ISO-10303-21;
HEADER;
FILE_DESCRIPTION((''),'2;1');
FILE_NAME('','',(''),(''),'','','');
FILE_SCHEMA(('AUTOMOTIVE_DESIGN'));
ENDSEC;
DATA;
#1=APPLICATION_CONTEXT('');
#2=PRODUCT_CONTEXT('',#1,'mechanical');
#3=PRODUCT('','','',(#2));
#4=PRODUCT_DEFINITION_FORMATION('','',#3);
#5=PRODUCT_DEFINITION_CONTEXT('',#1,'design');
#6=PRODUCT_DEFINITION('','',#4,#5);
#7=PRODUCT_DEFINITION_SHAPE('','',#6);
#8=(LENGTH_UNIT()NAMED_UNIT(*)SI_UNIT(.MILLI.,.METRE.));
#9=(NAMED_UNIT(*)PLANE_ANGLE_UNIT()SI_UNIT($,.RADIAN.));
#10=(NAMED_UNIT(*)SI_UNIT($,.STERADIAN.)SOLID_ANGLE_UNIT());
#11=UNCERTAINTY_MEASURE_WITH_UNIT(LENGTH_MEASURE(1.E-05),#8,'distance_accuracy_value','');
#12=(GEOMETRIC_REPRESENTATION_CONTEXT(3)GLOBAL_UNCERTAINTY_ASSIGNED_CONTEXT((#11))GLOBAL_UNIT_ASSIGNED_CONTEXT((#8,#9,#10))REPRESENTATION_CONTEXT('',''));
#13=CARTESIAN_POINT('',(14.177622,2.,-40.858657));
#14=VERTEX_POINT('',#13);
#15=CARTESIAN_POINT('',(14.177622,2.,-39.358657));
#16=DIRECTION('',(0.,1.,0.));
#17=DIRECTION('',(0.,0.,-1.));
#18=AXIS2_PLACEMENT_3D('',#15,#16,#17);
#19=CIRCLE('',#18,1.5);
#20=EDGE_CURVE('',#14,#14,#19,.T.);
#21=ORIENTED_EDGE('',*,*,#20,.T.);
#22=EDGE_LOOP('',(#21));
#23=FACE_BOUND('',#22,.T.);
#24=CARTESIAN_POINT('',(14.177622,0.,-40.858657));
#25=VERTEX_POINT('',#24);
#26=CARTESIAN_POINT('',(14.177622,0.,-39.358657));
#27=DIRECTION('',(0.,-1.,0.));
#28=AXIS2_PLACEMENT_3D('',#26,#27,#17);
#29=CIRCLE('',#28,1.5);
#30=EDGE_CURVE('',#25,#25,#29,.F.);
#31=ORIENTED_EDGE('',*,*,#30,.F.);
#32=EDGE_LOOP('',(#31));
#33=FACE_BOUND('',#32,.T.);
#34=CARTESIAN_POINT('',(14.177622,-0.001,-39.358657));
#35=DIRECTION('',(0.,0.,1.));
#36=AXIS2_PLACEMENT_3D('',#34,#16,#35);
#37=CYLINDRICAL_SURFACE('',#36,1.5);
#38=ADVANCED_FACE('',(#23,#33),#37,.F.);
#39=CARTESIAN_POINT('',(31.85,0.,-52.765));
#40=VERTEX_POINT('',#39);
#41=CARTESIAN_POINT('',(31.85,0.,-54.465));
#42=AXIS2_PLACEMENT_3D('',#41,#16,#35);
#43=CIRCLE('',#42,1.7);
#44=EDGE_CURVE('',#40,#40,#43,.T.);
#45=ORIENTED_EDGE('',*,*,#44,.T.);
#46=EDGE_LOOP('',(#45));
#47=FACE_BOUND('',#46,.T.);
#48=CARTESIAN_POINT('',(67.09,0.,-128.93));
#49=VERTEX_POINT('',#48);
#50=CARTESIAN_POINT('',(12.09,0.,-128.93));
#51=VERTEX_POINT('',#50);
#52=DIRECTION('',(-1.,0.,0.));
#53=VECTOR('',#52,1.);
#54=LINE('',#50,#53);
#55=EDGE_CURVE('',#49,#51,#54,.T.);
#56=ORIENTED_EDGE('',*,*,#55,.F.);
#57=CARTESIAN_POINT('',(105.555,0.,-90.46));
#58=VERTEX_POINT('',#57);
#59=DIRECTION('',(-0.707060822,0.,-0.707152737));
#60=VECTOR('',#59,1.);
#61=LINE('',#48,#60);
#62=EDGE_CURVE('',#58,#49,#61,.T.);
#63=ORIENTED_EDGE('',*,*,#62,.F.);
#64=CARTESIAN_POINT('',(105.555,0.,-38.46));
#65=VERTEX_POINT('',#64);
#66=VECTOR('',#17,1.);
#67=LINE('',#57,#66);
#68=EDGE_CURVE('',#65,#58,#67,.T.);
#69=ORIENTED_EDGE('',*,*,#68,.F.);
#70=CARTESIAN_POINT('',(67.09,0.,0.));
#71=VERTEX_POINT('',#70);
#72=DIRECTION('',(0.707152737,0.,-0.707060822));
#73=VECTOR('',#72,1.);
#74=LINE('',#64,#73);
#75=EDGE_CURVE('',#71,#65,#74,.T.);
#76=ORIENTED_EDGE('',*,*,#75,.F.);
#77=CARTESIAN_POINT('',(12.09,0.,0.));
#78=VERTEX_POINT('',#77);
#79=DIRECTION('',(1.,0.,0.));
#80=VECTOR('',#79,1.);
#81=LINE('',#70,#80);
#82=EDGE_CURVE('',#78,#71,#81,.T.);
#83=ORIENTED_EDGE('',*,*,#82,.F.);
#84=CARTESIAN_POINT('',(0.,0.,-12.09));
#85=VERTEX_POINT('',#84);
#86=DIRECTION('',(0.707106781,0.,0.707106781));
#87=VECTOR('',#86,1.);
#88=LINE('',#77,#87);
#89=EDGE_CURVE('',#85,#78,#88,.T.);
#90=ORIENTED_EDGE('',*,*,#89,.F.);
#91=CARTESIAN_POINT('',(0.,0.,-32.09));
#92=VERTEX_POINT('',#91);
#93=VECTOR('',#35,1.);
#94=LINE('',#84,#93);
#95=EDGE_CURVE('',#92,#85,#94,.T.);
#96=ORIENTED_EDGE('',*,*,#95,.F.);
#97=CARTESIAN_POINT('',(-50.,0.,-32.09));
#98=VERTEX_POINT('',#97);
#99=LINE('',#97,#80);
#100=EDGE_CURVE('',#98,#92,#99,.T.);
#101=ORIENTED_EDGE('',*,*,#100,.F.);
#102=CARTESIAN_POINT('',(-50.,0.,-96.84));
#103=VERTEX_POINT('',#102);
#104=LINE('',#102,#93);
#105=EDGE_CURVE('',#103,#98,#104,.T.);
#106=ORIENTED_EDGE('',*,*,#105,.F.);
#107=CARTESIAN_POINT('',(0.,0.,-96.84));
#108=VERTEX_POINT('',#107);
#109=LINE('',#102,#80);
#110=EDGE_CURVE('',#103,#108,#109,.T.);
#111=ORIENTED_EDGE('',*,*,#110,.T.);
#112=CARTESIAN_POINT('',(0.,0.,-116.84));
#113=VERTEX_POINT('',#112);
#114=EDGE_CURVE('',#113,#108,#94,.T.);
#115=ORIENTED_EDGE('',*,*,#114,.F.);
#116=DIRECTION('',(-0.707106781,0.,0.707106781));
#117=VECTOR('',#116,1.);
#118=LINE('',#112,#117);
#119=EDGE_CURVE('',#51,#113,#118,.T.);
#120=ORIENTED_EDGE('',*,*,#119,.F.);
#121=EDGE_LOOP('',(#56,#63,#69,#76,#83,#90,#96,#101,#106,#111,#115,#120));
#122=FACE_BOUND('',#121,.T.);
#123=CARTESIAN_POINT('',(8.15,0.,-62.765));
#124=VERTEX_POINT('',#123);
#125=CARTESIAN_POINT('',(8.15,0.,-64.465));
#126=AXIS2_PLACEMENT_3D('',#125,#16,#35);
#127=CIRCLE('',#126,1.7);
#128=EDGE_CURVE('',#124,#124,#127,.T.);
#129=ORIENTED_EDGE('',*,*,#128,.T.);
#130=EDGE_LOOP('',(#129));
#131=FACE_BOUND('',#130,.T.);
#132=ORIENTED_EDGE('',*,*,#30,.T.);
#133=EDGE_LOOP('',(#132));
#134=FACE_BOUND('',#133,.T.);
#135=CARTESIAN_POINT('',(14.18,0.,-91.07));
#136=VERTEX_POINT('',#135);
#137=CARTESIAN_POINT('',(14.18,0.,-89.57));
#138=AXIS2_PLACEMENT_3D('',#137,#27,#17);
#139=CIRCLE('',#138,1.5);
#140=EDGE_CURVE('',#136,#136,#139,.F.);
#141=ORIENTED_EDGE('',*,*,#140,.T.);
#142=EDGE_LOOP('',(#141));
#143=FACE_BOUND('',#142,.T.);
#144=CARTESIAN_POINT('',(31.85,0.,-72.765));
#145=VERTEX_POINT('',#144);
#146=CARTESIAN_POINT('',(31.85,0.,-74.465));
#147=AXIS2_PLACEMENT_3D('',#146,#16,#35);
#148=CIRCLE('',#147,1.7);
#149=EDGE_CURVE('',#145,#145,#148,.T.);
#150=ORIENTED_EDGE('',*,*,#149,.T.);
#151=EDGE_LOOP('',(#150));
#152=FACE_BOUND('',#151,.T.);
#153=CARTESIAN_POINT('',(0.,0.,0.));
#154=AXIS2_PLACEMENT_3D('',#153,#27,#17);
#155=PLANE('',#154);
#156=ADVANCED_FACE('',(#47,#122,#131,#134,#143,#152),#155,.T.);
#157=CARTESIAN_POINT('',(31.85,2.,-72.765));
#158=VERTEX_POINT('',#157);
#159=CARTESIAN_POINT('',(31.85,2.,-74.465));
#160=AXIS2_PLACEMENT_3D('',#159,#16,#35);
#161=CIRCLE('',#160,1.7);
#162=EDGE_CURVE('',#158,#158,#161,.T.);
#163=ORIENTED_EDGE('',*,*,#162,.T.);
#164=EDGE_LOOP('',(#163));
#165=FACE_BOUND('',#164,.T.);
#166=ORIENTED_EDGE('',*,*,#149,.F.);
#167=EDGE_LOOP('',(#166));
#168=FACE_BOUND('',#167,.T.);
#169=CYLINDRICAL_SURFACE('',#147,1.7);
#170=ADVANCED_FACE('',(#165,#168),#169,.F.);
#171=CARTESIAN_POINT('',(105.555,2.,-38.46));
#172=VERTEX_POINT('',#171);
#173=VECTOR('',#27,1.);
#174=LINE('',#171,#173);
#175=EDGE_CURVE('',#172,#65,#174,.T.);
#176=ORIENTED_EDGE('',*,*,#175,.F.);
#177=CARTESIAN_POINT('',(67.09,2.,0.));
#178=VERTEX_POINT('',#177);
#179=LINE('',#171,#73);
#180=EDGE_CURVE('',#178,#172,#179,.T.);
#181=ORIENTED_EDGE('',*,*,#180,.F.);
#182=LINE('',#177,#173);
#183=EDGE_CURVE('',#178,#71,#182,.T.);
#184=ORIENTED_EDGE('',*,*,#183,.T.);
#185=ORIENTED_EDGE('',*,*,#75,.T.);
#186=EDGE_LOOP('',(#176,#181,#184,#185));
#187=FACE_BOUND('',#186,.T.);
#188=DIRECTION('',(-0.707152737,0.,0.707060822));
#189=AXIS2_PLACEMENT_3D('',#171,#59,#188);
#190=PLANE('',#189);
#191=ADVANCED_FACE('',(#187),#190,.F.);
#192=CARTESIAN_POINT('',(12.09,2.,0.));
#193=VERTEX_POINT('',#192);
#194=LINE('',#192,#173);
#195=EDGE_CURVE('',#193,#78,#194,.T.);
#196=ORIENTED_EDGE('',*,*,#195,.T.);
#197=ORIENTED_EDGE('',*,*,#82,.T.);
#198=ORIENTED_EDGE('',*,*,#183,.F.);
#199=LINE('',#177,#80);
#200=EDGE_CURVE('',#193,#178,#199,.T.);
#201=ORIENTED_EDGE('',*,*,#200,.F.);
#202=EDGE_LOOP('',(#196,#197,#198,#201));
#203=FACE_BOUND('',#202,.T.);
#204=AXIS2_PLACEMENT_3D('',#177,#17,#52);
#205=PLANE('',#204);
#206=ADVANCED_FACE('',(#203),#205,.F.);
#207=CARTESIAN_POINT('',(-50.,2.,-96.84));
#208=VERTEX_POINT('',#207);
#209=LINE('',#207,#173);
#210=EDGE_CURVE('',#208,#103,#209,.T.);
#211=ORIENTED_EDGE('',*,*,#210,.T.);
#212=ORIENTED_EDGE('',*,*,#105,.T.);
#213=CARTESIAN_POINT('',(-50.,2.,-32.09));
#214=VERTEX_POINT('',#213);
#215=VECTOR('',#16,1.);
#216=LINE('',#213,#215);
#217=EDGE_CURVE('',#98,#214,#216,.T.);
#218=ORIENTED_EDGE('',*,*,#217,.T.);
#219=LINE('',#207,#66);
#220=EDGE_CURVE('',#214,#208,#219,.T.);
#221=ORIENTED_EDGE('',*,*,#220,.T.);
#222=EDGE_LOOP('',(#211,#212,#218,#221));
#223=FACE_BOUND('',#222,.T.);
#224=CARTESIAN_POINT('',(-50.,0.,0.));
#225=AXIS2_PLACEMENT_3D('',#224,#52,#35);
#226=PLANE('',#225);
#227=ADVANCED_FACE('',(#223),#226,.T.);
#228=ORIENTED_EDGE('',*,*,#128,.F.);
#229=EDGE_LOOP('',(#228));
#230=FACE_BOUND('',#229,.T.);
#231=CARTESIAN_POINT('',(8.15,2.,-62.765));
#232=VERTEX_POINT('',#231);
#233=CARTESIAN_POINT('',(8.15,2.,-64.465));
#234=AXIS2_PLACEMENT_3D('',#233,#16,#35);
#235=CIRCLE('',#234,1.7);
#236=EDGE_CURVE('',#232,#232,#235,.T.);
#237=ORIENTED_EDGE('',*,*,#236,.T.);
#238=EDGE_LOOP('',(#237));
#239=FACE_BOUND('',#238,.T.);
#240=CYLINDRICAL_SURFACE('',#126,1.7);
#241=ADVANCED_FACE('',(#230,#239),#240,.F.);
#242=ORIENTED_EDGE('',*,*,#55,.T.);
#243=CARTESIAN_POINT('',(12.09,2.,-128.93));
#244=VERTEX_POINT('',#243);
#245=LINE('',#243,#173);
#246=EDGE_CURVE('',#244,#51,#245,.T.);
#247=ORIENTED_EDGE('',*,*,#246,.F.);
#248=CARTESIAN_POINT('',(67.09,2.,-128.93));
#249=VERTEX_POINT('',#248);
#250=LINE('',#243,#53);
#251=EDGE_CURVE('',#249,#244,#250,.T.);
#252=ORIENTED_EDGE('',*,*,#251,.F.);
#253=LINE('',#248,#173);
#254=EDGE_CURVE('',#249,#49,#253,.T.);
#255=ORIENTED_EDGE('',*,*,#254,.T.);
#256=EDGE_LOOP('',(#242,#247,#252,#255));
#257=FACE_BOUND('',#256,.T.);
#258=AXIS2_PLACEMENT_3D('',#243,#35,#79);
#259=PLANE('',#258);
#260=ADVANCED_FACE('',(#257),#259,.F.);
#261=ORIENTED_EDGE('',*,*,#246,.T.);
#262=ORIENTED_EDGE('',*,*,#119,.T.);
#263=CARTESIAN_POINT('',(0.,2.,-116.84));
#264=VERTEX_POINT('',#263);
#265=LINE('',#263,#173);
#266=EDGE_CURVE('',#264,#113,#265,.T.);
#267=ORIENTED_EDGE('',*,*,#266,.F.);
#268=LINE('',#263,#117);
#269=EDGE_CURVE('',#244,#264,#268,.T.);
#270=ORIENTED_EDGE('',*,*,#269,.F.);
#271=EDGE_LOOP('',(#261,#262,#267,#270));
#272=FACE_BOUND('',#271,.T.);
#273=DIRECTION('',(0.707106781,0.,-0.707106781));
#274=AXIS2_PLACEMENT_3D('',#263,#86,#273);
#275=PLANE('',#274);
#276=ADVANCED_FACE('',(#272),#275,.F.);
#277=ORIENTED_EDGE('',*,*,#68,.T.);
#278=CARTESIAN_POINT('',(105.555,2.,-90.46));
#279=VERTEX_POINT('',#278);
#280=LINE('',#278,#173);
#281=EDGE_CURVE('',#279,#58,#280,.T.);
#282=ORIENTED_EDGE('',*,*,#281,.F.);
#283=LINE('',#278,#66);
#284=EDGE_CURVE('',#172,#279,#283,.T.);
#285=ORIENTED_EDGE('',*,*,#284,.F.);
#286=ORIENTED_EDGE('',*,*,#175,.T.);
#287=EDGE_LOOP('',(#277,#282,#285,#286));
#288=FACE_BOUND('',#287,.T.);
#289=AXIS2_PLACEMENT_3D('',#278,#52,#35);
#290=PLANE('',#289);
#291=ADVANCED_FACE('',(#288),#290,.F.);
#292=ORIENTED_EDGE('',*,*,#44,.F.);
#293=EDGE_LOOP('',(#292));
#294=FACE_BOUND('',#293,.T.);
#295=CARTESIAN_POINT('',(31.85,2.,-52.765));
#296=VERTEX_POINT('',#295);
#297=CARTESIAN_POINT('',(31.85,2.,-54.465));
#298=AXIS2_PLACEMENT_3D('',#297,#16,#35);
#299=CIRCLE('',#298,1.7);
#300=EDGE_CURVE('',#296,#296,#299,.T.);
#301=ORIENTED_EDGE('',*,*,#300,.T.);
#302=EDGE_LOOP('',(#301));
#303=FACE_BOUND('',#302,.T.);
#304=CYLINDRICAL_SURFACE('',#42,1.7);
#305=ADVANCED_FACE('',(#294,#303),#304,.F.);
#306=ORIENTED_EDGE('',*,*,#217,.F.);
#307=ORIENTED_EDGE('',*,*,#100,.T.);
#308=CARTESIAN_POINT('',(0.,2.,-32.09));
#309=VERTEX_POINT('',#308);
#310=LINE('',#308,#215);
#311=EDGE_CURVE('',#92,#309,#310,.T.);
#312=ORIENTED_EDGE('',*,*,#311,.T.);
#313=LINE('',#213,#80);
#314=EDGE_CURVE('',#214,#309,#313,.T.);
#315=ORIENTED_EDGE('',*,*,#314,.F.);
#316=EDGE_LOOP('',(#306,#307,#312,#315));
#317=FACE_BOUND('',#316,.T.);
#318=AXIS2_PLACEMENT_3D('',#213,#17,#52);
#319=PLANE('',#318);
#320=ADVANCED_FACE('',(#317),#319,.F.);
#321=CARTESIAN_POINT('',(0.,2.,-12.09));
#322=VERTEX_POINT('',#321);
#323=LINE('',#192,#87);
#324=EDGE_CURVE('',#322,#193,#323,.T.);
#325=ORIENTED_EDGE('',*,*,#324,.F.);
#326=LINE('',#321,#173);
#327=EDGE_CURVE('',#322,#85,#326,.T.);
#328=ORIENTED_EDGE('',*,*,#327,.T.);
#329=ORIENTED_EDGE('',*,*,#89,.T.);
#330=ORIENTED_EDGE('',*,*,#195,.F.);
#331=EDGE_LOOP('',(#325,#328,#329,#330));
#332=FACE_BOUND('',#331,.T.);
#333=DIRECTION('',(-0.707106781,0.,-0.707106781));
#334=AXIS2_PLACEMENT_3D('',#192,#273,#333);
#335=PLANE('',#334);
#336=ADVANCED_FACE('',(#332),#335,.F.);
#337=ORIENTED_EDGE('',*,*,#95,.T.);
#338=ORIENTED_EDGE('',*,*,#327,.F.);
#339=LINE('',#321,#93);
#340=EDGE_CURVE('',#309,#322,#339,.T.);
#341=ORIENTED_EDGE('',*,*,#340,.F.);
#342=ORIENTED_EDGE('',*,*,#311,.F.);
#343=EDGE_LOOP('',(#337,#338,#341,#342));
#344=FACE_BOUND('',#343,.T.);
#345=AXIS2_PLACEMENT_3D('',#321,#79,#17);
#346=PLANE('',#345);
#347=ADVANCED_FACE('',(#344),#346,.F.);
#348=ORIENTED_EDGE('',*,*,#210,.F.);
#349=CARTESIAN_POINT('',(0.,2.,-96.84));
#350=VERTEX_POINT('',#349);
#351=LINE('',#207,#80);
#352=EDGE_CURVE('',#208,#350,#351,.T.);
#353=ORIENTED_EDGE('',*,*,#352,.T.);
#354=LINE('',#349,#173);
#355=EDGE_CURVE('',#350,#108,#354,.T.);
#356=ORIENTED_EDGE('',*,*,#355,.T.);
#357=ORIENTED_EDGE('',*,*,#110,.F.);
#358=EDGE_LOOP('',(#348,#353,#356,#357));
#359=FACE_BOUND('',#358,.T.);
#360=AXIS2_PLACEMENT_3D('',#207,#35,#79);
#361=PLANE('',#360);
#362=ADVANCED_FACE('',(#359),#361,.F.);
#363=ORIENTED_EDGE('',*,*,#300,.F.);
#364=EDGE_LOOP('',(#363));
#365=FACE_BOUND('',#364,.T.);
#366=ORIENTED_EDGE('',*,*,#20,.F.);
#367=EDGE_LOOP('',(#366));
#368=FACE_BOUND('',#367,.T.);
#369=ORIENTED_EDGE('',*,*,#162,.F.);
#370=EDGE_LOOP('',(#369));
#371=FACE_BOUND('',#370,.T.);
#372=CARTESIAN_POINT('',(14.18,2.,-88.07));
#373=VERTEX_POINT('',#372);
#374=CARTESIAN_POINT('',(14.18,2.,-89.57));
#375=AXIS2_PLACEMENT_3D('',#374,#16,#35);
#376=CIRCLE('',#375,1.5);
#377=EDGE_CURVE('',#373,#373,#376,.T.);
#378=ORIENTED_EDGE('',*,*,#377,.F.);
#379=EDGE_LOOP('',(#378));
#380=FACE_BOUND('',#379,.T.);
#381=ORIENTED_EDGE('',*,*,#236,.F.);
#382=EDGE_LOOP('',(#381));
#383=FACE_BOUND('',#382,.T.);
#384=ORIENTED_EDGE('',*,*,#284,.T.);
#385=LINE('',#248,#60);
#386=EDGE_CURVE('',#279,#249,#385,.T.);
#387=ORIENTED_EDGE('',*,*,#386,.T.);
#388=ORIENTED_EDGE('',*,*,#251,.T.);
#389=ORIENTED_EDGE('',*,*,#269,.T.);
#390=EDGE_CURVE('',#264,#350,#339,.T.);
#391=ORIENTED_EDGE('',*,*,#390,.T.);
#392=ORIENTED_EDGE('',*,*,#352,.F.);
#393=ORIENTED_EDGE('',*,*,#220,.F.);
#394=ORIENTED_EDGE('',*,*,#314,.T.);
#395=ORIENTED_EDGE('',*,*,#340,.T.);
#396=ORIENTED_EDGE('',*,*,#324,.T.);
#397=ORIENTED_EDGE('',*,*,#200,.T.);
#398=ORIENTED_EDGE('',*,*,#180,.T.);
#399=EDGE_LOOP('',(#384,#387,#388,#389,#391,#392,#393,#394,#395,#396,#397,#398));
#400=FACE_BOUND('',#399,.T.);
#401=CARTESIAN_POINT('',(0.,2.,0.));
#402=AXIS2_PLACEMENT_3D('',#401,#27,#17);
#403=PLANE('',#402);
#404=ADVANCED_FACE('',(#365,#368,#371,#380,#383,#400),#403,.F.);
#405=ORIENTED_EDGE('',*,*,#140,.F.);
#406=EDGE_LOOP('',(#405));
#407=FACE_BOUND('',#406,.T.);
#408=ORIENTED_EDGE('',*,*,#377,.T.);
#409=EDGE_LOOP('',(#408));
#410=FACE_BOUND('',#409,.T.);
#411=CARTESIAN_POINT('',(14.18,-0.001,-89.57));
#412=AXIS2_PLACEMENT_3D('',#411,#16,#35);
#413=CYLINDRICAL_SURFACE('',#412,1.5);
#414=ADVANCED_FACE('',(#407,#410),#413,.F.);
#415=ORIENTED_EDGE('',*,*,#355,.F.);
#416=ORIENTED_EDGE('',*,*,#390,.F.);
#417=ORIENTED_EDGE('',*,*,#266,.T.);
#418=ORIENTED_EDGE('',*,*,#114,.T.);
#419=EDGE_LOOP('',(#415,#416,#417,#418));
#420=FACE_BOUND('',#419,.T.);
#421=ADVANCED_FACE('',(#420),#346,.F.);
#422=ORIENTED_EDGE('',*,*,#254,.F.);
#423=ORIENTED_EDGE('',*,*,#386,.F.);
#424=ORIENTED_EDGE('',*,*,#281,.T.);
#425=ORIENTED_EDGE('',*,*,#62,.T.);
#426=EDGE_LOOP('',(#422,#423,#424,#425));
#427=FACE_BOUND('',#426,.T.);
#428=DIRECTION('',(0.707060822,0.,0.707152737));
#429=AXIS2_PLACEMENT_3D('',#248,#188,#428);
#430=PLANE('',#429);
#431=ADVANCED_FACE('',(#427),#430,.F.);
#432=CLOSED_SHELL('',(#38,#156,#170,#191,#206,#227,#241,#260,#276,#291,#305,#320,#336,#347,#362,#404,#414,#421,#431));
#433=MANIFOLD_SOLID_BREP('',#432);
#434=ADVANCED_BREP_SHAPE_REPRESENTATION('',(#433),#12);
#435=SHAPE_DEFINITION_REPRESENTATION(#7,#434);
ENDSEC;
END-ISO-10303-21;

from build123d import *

# Parameters (mm, degrees)
BOSS_EXTRUDE1_DEPTH = 2
SKETCH2_R           = 1.7
CUT_EXTRUDE1_DEPTH  = 167.639739727
CUT_EXTRUDE2_REACH  = 168.64
SKETCH7_R           = 1.5
SKETCH10_W          = 64.75
SKETCH10_H          = 2
BOSS_EXTRUDE3_DEPTH = 50


with BuildPart() as part:
    # Sketch1 → Boss-Extrude1 (new body)
    with BuildSketch(Plane(origin=(0, 0, 0), x_dir=(1, 0, 0), z_dir=(0, 1, 0))):
        Polygon((0, 12.09), (0, 116.84), (12.09, 128.93), (67.09, 128.93), (105.554999675, 90.46), (105.554999675, 38.46), (67.09, 0), (12.09, 0), align=None)
    extrude(amount=BOSS_EXTRUDE1_DEPTH)

    # Sketch2 → Cut-Extrude1 (cut, through all)
    with BuildSketch(Plane(origin=(0, 2, 0), x_dir=(1, 0, 0), z_dir=(0, 1, 0))):
        with Locations(Location((8.15, 64.465, 0), (0, 0, 270))):
            Circle(SKETCH2_R)
        with Locations(Location((31.85, 54.465, 0), (0, 0, 270))):
            Circle(SKETCH2_R)
        with Locations(Location((31.85, 74.465, 0), (0, 0, 270))):
            Circle(SKETCH2_R)
    extrude(amount=-CUT_EXTRUDE1_DEPTH, mode=Mode.SUBTRACT)

    # Sketch7 → Cut-Extrude2 (cut, up to next)
    with BuildSketch(Plane(origin=(0, 2, 0), x_dir=(1, 0, 0), z_dir=(0, 1, 0)), mode=Mode.PRIVATE) as cut_extrude2_sk1:
        with Locations(Location((14.18, 89.57, 0), (0, 0, 270))):
            Circle(SKETCH7_R)
    cut_extrude2_tool1 = extrude(cut_extrude2_sk1.sketch, amount=-CUT_EXTRUDE2_REACH, mode=Mode.PRIVATE) & part.part
    # Sketch7 → Cut-Extrude2 (cut, up to next)
    with BuildSketch(Plane(origin=(0, 2, 0), x_dir=(1, 0, 0), z_dir=(0, 1, 0)), mode=Mode.PRIVATE) as cut_extrude2_sk2:
        with Locations(Location((14.177621555, 39.358656737, 0), (0, 0, 90))):
            Circle(SKETCH7_R)
    cut_extrude2_tool2 = extrude(cut_extrude2_sk2.sketch, amount=-CUT_EXTRUDE2_REACH, mode=Mode.PRIVATE) & part.part
    add(cut_extrude2_tool1.solids().sort_by_distance((14.18, 2, -89.57))[0], mode=Mode.SUBTRACT)
    add(cut_extrude2_tool2.solids().sort_by_distance((14.177622, 2, -39.358657))[0], mode=Mode.SUBTRACT)

    # Sketch10 → Boss-Extrude3 (add)
    with BuildSketch(Plane.ZY):
        with Locations((-64.465, 1)):
            Rectangle(SKETCH10_W, SKETCH10_H)
    extrude(amount=BOSS_EXTRUDE3_DEPTH)


solid = part.part
